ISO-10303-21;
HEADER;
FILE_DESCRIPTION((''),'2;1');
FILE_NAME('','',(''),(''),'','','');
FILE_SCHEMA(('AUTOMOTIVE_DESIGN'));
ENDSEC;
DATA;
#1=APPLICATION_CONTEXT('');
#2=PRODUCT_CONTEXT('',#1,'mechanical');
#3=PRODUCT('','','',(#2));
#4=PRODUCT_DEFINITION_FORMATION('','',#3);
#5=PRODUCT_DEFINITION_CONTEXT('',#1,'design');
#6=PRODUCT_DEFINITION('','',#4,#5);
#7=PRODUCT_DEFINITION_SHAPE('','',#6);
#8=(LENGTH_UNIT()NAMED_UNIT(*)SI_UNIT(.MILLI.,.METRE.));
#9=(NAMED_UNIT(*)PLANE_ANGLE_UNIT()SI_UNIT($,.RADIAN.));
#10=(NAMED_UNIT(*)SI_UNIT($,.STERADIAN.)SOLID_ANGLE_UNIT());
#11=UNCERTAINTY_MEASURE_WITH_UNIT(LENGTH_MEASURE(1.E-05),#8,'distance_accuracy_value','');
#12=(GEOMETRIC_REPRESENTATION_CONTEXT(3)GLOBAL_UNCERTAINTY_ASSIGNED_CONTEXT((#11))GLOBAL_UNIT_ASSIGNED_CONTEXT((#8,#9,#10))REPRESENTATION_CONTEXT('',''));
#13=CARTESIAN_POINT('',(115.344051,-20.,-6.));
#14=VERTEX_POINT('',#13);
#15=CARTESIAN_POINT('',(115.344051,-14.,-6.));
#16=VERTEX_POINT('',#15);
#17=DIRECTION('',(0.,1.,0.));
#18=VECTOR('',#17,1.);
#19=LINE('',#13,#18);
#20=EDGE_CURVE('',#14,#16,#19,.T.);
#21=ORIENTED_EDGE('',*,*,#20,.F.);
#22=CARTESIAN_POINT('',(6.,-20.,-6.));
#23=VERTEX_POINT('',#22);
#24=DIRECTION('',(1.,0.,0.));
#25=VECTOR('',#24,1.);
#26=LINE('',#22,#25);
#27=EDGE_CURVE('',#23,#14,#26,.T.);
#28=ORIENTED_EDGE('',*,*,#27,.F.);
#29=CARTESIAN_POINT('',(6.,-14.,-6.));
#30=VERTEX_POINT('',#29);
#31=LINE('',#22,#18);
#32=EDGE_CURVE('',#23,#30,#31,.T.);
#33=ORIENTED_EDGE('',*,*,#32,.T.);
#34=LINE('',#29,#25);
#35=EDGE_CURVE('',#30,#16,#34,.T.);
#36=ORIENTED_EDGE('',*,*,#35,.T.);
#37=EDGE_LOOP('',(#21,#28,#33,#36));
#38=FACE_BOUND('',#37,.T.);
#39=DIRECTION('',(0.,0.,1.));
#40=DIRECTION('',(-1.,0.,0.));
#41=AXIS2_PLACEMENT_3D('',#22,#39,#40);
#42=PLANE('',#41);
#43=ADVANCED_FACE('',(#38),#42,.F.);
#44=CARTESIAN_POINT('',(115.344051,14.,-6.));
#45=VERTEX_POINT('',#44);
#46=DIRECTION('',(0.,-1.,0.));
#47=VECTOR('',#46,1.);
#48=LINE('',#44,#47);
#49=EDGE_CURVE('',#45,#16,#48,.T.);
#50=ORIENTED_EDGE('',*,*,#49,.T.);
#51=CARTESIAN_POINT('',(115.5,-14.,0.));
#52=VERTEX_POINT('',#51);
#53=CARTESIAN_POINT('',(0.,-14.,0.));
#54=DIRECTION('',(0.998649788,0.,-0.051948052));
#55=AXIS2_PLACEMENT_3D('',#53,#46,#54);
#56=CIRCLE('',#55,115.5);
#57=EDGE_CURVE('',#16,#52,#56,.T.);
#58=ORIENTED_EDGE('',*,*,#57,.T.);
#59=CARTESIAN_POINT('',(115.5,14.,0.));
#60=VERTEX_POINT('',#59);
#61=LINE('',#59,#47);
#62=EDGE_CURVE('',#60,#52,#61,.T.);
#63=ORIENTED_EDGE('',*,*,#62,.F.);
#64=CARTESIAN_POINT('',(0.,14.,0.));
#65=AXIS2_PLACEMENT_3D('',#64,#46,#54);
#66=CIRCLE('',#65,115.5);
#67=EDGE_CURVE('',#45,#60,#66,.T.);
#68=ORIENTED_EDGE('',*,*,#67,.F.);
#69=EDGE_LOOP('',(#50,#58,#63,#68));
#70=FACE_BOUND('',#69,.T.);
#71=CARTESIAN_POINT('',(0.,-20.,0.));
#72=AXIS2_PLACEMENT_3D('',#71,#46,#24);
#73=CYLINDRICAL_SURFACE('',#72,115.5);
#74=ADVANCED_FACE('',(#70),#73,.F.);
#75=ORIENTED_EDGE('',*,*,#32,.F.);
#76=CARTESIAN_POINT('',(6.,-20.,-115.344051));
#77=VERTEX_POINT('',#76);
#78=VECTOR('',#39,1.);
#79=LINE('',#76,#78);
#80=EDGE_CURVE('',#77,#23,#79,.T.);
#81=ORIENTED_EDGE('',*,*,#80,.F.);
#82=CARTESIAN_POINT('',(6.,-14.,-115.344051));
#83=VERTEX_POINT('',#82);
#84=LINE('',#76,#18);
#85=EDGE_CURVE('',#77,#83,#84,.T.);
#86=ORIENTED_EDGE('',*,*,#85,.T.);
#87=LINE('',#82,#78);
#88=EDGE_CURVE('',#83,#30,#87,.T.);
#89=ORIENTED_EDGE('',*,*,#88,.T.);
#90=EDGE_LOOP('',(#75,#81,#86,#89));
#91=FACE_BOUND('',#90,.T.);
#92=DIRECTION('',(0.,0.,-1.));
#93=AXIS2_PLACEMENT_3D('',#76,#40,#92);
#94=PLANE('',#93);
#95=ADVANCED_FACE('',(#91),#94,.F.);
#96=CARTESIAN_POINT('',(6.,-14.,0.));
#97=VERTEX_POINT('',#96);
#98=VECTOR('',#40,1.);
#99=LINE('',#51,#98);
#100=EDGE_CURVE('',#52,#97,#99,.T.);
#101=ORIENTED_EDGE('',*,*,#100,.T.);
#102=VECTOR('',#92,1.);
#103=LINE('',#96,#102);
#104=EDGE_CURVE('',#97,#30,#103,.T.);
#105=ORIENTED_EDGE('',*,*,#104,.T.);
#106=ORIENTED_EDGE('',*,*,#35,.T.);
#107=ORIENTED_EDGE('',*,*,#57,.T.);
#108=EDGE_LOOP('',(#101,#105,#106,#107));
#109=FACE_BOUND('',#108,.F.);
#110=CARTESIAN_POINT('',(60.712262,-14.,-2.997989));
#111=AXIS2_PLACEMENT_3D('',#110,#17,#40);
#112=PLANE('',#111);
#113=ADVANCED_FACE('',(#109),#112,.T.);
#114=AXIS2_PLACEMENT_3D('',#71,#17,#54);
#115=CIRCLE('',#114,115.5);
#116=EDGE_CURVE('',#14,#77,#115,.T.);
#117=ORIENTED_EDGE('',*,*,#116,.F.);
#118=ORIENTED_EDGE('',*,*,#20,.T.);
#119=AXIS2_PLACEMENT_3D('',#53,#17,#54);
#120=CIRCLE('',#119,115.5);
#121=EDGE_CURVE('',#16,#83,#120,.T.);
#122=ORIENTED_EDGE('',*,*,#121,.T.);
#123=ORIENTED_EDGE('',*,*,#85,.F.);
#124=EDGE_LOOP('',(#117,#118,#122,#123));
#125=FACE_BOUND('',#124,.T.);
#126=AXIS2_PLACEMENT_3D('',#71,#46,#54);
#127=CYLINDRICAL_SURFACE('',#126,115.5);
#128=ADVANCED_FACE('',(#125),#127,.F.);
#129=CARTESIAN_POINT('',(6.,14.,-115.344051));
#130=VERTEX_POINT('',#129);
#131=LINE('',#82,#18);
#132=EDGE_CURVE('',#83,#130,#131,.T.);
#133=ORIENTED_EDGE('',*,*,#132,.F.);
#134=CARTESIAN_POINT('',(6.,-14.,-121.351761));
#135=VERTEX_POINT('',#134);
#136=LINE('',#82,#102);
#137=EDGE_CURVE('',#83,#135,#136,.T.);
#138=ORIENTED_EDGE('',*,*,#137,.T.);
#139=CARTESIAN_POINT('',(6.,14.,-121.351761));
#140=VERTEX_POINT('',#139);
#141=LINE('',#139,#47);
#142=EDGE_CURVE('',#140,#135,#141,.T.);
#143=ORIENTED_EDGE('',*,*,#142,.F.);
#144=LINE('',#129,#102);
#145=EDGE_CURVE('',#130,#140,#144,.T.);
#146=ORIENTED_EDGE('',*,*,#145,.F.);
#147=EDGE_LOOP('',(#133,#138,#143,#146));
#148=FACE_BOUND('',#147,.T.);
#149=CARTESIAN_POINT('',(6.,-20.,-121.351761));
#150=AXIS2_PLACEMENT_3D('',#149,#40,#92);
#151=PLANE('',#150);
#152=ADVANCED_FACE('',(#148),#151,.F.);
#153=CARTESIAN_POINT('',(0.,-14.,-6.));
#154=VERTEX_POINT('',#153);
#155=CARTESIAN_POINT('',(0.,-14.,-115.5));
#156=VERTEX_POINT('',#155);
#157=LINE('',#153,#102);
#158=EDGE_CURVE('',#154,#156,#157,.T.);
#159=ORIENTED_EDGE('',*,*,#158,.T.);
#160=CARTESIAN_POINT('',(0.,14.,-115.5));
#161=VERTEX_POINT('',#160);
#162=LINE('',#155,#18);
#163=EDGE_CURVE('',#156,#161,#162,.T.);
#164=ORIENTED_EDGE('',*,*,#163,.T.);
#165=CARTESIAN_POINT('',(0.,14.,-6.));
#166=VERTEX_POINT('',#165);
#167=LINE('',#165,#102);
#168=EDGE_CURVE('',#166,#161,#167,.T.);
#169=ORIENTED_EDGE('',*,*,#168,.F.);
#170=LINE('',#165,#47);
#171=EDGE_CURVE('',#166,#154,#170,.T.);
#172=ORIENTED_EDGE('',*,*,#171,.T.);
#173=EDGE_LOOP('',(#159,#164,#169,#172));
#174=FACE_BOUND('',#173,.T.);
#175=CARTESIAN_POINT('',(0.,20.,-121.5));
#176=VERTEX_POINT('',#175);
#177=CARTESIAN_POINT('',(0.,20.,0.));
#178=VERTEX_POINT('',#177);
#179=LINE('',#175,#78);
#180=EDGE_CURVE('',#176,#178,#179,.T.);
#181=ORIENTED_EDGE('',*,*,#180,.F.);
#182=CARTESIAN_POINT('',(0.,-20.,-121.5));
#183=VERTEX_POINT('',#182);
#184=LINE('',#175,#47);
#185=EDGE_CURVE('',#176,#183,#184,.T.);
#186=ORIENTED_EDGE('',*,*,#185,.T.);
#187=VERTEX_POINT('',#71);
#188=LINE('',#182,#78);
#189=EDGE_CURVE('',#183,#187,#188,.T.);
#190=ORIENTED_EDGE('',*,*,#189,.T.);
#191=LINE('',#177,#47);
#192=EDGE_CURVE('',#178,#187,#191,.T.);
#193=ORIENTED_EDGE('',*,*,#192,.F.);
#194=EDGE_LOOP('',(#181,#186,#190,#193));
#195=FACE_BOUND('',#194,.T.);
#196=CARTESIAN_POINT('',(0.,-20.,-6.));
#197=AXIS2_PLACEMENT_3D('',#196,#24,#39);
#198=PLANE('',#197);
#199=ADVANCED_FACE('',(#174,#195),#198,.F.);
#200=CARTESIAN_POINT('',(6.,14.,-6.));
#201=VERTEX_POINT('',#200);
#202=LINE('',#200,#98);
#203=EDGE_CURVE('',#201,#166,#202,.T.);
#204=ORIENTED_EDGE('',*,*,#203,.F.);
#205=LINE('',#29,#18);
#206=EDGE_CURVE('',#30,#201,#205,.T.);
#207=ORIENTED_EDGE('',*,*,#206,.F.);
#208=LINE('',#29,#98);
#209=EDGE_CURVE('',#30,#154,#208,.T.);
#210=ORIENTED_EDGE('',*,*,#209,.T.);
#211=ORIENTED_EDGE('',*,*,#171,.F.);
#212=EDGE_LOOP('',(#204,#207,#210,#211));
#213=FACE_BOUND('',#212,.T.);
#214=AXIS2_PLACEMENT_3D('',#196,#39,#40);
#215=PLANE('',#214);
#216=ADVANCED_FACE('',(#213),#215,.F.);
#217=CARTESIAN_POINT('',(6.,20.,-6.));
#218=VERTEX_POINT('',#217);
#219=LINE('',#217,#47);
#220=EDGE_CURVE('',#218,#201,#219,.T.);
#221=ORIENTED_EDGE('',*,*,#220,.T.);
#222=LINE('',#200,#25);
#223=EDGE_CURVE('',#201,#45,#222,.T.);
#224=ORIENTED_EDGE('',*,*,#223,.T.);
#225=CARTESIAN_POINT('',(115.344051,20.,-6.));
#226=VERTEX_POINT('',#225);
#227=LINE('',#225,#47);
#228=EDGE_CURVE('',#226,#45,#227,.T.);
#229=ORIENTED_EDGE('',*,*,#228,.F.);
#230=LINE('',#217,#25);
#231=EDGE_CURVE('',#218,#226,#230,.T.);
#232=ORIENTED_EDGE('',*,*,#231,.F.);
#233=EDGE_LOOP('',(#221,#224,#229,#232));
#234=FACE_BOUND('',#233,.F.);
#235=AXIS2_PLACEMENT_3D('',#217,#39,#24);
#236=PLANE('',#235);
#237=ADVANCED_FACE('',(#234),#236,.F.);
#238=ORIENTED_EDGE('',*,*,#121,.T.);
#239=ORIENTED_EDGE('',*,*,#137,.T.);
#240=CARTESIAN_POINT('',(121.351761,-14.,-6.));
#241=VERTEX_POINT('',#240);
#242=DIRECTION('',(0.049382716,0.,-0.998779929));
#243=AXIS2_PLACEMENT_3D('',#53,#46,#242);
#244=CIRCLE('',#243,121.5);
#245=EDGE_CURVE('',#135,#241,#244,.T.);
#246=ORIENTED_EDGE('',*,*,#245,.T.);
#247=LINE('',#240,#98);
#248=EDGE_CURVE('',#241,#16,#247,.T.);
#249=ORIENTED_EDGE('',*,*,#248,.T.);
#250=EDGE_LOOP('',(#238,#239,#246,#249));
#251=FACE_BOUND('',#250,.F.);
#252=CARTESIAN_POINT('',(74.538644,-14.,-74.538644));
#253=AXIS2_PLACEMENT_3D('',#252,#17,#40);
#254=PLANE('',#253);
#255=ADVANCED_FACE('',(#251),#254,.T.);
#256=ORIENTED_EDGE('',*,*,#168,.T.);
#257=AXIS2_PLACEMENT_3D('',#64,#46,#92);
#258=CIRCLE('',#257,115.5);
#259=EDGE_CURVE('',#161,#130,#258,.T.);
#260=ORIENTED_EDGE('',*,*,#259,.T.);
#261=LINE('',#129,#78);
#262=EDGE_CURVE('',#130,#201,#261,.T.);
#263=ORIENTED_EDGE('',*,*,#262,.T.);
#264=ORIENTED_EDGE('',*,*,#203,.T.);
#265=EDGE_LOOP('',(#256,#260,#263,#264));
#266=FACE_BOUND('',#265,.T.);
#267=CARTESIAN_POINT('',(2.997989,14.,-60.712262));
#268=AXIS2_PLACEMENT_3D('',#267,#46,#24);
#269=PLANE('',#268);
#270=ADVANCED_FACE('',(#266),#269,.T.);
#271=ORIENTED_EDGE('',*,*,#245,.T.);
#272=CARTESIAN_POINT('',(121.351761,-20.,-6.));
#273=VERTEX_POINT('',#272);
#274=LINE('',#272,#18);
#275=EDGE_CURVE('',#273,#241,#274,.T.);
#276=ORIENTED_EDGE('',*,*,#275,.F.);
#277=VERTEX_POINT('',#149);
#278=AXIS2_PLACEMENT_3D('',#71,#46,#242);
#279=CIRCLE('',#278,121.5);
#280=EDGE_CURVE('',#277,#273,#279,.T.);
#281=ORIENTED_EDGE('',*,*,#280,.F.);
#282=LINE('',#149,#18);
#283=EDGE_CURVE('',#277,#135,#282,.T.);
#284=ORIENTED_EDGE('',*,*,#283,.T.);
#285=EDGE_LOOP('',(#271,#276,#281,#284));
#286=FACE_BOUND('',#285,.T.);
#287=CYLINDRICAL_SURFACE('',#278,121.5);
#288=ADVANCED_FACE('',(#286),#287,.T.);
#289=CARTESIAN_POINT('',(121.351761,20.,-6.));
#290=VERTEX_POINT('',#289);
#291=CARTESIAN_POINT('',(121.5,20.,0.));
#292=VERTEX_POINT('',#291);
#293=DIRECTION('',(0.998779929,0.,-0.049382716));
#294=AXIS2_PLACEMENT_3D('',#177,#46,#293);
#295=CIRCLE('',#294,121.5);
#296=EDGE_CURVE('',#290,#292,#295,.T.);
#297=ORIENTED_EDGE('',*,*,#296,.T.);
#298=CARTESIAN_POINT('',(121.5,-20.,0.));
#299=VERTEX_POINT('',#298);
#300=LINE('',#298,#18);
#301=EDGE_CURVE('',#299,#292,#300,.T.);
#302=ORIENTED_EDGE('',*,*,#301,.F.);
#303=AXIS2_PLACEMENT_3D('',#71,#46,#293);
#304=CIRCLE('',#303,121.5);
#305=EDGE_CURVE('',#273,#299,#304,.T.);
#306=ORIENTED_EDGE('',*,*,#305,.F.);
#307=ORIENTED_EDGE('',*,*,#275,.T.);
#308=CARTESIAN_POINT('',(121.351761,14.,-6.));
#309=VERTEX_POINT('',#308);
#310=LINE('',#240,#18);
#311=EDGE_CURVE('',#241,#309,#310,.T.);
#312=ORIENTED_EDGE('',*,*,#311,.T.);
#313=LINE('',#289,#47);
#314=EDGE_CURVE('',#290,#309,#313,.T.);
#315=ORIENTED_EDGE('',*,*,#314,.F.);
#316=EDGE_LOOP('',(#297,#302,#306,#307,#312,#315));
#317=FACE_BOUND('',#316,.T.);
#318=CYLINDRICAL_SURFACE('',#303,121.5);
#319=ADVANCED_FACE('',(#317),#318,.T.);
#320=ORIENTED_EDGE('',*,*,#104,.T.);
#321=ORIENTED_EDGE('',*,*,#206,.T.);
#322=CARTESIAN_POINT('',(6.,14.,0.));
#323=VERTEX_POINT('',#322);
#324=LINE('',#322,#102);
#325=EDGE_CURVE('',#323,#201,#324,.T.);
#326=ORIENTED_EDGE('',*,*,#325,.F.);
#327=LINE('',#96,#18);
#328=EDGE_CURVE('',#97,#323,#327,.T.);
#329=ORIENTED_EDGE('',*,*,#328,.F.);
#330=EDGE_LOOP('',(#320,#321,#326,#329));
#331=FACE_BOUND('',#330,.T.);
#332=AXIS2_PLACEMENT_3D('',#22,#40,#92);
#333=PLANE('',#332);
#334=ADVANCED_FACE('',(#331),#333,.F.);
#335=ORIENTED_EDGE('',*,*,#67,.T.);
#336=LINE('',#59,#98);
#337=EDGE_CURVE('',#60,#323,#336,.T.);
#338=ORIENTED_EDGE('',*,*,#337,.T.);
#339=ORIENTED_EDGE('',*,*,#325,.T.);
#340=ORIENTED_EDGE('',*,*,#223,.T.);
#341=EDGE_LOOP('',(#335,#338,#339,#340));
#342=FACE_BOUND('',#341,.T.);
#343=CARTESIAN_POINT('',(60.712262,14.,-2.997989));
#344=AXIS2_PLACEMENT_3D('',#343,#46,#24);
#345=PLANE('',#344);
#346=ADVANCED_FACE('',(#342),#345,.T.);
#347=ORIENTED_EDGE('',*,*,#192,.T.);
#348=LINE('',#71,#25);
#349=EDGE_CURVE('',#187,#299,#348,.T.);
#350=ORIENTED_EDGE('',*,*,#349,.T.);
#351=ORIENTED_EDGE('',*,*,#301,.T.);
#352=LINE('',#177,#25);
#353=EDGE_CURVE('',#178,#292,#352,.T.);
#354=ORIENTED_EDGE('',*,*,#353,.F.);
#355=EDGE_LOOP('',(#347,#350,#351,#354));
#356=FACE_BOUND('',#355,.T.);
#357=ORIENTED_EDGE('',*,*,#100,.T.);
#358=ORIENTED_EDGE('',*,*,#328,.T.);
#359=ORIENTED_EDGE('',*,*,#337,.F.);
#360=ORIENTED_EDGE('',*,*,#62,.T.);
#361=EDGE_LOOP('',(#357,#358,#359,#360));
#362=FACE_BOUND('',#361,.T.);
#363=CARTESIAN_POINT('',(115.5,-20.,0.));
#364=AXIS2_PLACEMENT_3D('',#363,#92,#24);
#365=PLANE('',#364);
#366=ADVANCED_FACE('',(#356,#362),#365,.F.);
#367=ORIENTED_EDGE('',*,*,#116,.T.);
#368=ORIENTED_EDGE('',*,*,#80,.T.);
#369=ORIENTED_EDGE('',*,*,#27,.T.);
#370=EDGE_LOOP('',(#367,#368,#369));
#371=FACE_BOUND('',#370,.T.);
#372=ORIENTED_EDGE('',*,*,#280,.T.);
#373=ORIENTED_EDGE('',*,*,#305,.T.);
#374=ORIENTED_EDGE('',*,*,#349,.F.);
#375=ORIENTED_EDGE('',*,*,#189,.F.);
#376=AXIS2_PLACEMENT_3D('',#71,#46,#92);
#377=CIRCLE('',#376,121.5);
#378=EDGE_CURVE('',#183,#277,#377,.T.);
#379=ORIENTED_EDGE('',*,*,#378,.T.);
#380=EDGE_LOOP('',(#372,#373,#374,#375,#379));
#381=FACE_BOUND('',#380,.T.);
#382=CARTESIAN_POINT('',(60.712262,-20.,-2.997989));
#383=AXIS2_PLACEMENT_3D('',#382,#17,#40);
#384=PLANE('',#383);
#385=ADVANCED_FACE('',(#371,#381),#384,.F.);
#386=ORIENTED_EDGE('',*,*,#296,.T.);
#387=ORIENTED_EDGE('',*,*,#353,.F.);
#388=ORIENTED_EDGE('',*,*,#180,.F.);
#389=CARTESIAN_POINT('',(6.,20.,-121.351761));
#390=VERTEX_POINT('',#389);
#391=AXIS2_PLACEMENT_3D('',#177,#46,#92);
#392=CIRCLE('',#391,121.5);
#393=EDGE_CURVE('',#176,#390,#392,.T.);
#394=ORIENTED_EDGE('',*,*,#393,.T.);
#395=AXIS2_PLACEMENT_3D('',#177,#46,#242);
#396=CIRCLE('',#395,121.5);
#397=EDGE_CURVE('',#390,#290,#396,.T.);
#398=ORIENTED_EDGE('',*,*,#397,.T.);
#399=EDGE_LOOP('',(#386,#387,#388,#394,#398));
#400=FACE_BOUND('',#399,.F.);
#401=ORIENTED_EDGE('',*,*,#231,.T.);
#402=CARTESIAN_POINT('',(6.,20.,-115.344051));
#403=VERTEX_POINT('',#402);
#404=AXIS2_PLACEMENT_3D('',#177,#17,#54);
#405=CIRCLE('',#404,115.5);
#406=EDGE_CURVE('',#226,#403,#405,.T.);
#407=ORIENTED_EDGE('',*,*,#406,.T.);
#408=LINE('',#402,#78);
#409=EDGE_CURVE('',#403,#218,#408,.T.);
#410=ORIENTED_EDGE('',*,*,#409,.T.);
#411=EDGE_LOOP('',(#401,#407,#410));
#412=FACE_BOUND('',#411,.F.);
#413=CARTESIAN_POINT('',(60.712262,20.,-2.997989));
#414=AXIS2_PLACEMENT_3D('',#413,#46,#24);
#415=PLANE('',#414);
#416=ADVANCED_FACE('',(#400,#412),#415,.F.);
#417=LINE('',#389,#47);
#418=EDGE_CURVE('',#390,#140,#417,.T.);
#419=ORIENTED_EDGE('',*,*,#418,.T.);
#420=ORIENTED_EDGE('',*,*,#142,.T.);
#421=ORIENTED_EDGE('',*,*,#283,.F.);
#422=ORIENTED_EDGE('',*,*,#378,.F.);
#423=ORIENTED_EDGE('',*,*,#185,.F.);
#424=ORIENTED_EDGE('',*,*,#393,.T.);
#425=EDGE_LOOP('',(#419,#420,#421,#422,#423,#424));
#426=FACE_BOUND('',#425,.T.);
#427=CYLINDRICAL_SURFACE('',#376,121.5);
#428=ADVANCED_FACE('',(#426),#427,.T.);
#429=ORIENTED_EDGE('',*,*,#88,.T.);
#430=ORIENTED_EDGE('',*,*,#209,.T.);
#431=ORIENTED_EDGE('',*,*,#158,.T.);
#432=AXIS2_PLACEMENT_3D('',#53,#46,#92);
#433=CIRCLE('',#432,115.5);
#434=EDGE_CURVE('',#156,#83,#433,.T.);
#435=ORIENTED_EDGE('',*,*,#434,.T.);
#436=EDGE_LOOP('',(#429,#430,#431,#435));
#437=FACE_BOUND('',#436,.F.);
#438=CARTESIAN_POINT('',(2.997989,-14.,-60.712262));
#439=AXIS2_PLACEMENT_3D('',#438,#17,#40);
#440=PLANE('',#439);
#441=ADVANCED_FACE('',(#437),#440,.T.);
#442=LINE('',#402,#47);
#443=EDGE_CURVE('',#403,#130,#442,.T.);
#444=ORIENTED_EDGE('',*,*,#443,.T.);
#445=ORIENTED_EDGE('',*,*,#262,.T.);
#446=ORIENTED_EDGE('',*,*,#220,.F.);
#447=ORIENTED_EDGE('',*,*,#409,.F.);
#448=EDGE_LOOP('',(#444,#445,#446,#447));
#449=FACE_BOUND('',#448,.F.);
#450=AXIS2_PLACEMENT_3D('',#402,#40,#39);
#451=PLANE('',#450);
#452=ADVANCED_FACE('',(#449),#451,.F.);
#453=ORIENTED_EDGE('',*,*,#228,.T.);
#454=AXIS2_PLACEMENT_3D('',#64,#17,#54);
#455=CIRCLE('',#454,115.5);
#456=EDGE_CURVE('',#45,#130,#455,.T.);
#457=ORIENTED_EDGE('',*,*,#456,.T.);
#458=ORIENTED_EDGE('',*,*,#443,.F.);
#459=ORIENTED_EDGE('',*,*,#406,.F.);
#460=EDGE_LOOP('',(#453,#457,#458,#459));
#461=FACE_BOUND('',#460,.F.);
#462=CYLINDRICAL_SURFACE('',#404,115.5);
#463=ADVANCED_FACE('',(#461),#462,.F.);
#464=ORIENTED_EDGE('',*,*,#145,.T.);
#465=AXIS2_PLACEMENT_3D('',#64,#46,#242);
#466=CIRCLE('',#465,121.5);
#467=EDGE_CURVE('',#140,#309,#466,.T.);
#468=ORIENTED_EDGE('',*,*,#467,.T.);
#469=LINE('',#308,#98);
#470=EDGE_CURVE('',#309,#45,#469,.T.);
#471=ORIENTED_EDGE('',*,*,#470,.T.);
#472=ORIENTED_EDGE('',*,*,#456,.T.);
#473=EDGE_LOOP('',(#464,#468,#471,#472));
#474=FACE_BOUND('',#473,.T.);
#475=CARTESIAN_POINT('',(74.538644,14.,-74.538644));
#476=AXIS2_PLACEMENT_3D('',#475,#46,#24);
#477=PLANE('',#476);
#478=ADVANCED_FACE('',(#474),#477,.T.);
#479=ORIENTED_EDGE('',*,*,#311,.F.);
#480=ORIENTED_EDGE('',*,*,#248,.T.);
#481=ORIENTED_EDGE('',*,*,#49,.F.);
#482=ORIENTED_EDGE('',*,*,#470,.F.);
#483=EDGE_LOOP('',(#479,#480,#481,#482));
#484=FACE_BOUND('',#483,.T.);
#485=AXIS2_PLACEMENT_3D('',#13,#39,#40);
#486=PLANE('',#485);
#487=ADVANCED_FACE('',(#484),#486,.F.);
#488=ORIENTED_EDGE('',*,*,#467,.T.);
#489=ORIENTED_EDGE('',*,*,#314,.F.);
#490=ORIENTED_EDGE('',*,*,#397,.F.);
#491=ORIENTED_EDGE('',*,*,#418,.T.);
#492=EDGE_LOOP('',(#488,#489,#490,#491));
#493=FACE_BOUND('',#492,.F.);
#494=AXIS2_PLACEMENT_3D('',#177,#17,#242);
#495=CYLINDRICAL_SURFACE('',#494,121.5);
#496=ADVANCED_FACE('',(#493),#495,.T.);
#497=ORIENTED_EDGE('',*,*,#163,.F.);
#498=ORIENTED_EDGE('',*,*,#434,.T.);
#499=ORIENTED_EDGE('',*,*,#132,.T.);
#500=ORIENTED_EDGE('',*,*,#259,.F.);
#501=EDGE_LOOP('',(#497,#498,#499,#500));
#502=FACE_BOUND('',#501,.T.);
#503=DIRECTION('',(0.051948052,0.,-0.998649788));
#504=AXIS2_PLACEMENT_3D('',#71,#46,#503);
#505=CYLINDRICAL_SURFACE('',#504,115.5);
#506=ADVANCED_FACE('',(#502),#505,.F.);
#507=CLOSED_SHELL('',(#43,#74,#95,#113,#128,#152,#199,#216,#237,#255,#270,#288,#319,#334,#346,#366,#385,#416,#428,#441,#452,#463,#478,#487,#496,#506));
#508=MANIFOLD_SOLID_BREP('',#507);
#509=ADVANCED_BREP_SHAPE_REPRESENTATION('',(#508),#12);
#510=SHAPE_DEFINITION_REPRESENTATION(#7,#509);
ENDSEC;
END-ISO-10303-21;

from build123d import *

# Parameters (mm, degrees)
F0_W     = 6
F0_H     = 6
F1_DEPTH = 26
F2_DEPTH = 6


with BuildPart() as f1:
    # F0 (on Front) → F1 (new body)
    with BuildSketch(Plane.XZ):
        with Locations((3, -3)):
            Rectangle(F0_W, F0_H)
    extrude(amount=F1_DEPTH)



with BuildPart() as f1b:
    # F0 (on Front) → F1, piece 2 (new body)
    with BuildSketch(Plane.XZ):
        with BuildLine():
            Line((120, -6), (121.3517614211, -6))
            ThreePointArc((121.3517614211, -6), (121.4629347016, -3.0009154718), (121.5, 0))
            Line((121.5, 0), (115.5, 0))
            ThreePointArc((115.5, 0), (115.4610060581, -3.0010131717), (115.3440505618, -6))
            Line((115.3440505618, -6), (120, -6))
        make_face()
    extrude(amount=F1_DEPTH)


with BuildPart() as f1c:
    # F0 (on Front) → F1, piece 3 (new body)
    with BuildSketch(Plane.XZ):
        with BuildLine():
            Line((0, -115.5), (0, -121.5))
            ThreePointArc((0, -121.5), (3.0009154718, -121.4629347016), (6, -121.3517614211))
            Line((6, -121.3517614211), (6, -120))
            Line((6, -120), (6, -115.3440505618))
            ThreePointArc((6, -115.3440505618), (3.0010131717, -115.4610060581), (0, -115.5))
        make_face()
    extrude(amount=F1_DEPTH)


with BuildPart() as f1_1:
    add(f1.part)

    add(f1b.part)  # F2 merges F1b

    add(f1c.part)  # F2 merges F1c
    # F0 (on Front) → F2 (join)
    with BuildSketch(Plane.XZ):
        with BuildLine():
            Line((6, 0), (6, -6))
            Line((6, -6), (115.3440505618, -6))
            ThreePointArc((115.3440505618, -6), (115.4610060581, -3.0010131717), (115.5, 0))
            Line((115.5, 0), (6, 0))
        make_face()
        with BuildLine():
            Line((6, -120), (6, -121.3517614211))
            ThreePointArc((6, -121.3517614211), (85.9134739142, -85.9134739142), (121.3517614211, -6))
            Line((121.3517614211, -6), (120, -6))
            Line((120, -6), (115.3440505618, -6))
            ThreePointArc((115.3440505618, -6), (81.670833227, -81.670833227), (6, -115.3440505618))
            Line((6, -115.3440505618), (6, -120))
        make_face()
        with BuildLine():
            Line((0, -6), (0, -115.5))
            ThreePointArc((0, -115.5), (3.0010131717, -115.4610060581), (6, -115.3440505618))
            Line((6, -115.3440505618), (6, -6))
            Line((6, -6), (0, -6))
        make_face()
    extrude(amount=F2_DEPTH)


with BuildPart() as f1_2:
    # F3: moved
    add(f1_1.part.moved(Location((0, 20, 0))))

    # F4: F1 across plane


with BuildPart() as f1_3:
    add(f1_2.part)
    add(f1_2.part.mirror(Plane.XZ))


solid = f1_3.part
